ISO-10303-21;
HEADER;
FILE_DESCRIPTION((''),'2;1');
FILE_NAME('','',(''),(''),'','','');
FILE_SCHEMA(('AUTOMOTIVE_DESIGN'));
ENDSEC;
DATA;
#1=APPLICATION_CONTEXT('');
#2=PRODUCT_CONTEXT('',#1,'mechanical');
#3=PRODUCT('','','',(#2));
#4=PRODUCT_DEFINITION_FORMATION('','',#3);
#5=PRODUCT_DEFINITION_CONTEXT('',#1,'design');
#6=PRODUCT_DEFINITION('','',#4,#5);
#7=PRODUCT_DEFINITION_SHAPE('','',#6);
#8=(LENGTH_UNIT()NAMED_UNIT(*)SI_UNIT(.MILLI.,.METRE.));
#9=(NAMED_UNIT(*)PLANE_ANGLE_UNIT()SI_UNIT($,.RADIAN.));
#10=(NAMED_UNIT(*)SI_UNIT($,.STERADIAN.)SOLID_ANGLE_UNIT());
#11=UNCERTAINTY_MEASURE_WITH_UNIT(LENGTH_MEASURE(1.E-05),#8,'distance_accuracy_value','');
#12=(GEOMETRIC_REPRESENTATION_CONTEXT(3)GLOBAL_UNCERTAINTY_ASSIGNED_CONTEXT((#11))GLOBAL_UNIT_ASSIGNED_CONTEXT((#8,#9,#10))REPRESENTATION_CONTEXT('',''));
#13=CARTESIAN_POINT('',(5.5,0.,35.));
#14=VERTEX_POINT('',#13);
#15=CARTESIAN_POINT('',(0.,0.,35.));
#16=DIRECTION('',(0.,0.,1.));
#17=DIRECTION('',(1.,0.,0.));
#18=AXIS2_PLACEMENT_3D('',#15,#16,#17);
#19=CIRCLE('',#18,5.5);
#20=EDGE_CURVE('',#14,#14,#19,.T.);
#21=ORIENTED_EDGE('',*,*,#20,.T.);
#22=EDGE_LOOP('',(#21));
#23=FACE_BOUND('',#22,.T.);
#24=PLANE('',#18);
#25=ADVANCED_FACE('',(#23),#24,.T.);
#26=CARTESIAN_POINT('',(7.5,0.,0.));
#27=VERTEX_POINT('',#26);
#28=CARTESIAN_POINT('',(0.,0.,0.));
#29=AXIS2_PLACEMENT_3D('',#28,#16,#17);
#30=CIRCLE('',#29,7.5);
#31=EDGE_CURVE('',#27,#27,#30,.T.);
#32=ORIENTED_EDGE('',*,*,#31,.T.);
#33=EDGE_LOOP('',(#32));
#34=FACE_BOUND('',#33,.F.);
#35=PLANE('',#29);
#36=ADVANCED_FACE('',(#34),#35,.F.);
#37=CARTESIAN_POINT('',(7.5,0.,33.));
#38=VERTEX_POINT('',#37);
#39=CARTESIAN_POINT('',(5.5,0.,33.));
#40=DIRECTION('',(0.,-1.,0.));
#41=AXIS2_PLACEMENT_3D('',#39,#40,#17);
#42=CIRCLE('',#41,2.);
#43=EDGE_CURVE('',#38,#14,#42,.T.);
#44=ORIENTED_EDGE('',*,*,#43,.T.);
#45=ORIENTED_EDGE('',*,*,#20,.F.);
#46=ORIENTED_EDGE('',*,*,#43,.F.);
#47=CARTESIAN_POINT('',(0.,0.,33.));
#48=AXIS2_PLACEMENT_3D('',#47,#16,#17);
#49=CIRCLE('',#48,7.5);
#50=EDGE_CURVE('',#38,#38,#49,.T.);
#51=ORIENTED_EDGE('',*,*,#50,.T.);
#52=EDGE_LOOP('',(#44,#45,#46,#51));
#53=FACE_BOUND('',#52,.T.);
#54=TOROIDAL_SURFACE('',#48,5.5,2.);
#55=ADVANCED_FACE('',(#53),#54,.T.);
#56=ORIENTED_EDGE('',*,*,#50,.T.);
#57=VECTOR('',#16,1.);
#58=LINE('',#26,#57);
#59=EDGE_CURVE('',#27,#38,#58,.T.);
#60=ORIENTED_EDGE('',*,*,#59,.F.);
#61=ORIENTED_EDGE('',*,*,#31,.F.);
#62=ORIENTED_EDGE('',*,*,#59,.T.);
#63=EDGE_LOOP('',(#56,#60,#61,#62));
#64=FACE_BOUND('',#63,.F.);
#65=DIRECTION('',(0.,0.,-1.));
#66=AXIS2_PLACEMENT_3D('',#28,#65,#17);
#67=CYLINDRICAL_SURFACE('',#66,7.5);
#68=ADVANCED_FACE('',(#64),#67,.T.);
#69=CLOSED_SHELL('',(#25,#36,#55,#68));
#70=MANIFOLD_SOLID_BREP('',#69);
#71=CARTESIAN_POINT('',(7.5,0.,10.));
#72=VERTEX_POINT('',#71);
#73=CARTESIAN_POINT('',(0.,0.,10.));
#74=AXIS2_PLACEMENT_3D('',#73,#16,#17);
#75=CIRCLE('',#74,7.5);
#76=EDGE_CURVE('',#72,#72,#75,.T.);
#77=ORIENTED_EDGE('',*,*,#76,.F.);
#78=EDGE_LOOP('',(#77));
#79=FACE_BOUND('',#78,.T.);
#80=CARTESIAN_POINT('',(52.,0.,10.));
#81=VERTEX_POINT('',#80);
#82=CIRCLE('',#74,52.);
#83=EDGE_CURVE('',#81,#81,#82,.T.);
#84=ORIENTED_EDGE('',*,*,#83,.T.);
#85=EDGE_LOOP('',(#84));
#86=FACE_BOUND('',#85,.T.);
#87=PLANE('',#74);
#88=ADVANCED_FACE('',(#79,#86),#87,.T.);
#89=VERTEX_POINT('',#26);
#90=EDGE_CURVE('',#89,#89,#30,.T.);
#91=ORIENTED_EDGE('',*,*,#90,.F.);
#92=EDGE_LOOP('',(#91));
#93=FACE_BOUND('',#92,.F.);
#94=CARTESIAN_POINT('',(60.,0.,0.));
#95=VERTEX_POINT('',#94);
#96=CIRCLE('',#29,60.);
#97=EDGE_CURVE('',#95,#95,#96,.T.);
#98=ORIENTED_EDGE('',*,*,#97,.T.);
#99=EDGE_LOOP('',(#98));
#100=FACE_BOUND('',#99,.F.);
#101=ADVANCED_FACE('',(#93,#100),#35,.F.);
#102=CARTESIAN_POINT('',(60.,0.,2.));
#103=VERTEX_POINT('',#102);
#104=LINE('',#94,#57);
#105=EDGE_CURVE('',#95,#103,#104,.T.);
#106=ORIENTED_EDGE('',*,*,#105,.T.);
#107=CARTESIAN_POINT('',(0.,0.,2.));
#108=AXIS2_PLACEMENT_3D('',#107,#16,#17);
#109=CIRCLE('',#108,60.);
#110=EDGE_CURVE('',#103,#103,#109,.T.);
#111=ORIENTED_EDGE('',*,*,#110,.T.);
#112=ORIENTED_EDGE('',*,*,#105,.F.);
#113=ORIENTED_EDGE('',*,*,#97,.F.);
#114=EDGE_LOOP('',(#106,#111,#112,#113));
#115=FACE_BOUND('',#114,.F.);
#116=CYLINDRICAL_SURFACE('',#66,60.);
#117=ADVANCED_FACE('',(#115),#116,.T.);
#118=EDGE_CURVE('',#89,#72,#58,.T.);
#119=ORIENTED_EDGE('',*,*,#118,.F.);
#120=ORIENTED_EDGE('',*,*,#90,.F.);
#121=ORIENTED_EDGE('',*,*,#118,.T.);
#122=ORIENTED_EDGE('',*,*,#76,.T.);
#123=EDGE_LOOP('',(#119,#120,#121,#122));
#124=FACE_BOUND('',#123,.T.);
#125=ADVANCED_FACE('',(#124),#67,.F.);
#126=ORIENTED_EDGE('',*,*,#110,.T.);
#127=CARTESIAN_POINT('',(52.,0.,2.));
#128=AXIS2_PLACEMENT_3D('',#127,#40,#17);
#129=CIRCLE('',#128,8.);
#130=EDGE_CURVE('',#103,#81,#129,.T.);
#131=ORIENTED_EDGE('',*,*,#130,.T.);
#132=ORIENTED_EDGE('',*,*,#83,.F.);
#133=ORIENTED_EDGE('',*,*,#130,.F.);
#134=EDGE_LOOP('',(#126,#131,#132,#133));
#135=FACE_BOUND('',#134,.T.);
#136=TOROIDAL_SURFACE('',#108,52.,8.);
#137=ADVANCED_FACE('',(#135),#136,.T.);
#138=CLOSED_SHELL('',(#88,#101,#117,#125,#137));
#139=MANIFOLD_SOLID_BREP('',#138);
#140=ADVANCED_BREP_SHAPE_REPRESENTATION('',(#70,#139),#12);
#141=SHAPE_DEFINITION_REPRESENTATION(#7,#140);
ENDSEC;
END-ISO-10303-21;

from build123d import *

# Parameters (mm, degrees)
F0_R     = 7.5
F1_DEPTH = 35
F0_R_2   = 60
F2_DEPTH = 10
F3_R     = 2
F4_R     = 8


with BuildPart() as f1:
    # F0 (on Top) → F1 (new body)
    with BuildSketch(Plane.XY):
        Circle(F0_R)
    extrude(amount=F1_DEPTH)

    # F3
    f3_edges = [f1.edges().sort_by_distance(p)[0] for p in [
        (-7.5, 0, 35),
    ]]
    fillet(f3_edges, radius=F3_R)


with BuildPart() as f2:
    # F0 (on Top) → F2 (new body)
    with BuildSketch(Plane.XY):
        Circle(F0_R_2)
        Circle(F0_R, mode=Mode.SUBTRACT)
    extrude(amount=F2_DEPTH)

    # F4
    f4_edges = [f2.edges().sort_by_distance(p)[0] for p in [
        (-60, 0, 10),
    ]]
    fillet(f4_edges, radius=F4_R)


solid = Compound([f1.part, f2.part])
